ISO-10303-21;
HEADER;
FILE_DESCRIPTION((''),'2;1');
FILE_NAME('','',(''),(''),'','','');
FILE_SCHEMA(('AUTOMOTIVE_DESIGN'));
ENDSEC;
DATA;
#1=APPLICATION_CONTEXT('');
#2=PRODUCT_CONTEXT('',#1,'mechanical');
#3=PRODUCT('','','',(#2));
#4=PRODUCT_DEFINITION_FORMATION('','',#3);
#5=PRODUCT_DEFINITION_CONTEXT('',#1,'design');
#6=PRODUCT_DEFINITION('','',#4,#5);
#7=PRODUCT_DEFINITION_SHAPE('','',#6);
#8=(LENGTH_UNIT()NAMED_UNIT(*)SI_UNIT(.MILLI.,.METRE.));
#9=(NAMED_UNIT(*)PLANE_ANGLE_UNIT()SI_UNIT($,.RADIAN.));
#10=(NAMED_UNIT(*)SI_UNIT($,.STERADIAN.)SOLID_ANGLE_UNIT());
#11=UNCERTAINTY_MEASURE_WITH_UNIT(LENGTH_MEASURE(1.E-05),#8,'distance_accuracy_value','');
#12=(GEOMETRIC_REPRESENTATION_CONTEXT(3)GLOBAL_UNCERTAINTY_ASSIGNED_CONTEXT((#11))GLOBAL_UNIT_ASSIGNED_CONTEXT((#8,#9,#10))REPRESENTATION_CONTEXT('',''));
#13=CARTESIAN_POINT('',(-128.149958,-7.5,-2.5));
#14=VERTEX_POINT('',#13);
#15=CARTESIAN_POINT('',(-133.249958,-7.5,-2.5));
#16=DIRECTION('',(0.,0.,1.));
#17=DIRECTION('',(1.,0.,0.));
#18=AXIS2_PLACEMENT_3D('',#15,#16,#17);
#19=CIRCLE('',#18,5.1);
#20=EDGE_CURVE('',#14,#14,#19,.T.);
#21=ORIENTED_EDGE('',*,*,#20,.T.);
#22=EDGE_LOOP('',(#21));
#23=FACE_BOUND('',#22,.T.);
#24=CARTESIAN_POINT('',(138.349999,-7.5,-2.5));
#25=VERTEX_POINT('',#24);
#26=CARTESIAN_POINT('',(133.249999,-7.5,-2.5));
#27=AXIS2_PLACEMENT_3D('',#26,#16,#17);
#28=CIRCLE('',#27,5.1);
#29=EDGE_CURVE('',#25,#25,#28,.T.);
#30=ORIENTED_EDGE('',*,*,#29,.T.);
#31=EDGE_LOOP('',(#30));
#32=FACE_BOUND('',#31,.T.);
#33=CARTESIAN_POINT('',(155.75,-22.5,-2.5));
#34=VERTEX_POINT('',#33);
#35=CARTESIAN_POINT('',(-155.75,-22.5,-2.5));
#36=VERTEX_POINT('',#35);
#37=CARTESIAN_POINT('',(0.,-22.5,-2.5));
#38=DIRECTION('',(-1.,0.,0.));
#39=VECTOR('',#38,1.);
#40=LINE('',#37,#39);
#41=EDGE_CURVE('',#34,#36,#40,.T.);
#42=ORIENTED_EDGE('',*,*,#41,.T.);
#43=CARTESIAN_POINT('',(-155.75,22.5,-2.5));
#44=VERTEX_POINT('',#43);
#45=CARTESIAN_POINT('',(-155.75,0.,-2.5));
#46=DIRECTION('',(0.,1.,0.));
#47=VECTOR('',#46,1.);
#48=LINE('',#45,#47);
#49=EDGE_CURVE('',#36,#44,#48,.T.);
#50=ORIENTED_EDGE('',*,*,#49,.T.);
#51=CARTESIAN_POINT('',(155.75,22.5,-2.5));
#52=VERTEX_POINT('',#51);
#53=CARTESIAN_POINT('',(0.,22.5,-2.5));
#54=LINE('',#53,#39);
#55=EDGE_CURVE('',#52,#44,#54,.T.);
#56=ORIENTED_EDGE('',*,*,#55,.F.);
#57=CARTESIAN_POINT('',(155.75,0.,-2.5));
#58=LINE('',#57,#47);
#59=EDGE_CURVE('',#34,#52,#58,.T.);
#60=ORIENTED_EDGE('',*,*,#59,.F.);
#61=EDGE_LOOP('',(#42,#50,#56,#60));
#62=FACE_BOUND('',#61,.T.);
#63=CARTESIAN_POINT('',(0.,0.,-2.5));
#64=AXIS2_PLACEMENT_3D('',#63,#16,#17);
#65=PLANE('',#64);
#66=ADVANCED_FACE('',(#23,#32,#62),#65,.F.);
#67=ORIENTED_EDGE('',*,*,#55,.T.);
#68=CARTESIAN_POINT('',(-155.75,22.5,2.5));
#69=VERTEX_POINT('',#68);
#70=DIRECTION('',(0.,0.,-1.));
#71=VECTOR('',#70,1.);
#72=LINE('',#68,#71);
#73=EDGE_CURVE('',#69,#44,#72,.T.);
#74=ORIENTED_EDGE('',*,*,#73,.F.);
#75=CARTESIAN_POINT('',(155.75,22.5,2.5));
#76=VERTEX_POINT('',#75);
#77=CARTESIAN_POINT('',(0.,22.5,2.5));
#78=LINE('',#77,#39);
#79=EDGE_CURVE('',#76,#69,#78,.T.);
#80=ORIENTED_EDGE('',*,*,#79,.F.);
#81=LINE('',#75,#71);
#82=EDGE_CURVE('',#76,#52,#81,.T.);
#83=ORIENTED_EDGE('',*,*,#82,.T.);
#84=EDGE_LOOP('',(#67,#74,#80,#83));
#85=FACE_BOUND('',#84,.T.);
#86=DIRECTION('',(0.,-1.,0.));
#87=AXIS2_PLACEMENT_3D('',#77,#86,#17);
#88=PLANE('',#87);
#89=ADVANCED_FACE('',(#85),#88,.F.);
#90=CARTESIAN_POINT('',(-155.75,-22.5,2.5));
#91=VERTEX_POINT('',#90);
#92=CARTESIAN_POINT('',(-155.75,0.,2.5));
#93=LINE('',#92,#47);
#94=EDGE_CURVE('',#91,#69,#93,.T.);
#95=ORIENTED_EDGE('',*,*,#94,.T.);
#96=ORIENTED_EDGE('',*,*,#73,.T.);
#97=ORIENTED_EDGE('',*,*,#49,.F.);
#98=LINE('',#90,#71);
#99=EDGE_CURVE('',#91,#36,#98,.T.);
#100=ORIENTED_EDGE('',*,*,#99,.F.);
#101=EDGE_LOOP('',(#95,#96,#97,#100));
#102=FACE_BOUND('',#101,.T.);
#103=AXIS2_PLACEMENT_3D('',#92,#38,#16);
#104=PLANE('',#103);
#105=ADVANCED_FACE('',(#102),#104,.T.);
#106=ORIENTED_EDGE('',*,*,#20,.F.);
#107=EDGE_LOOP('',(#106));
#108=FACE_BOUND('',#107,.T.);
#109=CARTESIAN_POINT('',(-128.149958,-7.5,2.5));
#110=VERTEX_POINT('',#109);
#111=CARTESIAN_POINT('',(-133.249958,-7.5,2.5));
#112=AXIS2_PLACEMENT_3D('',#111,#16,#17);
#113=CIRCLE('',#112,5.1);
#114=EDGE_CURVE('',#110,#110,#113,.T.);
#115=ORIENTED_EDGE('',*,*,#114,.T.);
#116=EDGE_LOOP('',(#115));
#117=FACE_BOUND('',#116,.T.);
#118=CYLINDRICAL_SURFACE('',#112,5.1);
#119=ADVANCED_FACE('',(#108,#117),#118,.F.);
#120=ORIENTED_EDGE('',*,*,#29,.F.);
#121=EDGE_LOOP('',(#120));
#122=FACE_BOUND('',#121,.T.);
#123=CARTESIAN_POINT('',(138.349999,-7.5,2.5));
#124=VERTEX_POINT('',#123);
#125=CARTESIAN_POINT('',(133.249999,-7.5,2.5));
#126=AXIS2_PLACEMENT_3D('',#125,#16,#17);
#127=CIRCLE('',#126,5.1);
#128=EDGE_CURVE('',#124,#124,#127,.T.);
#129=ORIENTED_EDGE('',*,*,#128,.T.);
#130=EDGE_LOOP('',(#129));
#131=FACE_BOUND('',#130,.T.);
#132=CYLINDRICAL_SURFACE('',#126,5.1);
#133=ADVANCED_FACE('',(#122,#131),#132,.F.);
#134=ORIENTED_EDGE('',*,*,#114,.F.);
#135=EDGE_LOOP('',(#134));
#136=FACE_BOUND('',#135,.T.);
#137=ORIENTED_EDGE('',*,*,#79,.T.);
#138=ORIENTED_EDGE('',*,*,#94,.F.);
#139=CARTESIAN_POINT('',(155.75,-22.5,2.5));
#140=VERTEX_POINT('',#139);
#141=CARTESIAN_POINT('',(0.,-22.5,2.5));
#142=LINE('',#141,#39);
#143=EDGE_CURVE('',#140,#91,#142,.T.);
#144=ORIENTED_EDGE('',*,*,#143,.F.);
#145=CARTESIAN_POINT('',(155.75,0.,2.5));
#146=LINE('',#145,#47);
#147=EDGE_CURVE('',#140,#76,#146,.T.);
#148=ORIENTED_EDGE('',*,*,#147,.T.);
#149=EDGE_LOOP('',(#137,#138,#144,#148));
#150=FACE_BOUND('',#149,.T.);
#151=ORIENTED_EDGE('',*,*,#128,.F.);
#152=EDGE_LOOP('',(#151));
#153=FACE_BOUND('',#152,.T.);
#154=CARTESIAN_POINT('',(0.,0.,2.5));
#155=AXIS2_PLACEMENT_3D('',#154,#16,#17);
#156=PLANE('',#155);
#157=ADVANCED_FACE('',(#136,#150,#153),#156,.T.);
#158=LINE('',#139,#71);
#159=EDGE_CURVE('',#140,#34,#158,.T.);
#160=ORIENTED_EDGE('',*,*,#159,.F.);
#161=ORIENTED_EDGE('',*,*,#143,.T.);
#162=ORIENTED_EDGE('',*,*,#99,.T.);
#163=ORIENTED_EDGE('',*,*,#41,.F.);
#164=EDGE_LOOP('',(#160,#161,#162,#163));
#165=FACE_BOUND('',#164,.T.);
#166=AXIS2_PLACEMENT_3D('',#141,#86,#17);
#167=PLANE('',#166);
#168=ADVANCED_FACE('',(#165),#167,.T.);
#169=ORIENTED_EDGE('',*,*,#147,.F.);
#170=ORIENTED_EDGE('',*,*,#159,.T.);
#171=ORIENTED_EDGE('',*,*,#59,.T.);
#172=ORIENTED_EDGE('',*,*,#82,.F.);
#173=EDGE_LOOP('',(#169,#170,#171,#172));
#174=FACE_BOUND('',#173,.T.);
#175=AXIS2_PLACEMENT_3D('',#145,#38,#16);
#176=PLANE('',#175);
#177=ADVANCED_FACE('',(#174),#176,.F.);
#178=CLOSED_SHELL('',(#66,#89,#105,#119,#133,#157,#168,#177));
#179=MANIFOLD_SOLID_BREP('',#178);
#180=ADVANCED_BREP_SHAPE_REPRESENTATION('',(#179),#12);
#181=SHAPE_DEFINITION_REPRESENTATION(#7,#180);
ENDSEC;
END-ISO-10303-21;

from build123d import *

# Parameters (mm, degrees)
SKETCH1_W                    = 311.5
SKETCH1_H                    = 45
BOSS_EXTRUDE1_DEPTH          = 2.5
F_10_2_10_2_DIAMETER_HOLE1_D = 10.2


with BuildPart() as part:
    # Sketch1 → Boss-Extrude1 (new, symmetric)
    with BuildSketch(Plane.XY):
        Rectangle(SKETCH1_W, SKETCH1_H)
    extrude(amount=BOSS_EXTRUDE1_DEPTH, both=True)

    # Ø10.2 (10.2) Diameter Hole1 (through all)
    with Locations(Plane.XY.offset(2.5)):
        with Locations((-133.249958454, -7.5), (133.249998631, -7.5)):
            Hole(F_10_2_10_2_DIAMETER_HOLE1_D / 2)


solid = part.part
